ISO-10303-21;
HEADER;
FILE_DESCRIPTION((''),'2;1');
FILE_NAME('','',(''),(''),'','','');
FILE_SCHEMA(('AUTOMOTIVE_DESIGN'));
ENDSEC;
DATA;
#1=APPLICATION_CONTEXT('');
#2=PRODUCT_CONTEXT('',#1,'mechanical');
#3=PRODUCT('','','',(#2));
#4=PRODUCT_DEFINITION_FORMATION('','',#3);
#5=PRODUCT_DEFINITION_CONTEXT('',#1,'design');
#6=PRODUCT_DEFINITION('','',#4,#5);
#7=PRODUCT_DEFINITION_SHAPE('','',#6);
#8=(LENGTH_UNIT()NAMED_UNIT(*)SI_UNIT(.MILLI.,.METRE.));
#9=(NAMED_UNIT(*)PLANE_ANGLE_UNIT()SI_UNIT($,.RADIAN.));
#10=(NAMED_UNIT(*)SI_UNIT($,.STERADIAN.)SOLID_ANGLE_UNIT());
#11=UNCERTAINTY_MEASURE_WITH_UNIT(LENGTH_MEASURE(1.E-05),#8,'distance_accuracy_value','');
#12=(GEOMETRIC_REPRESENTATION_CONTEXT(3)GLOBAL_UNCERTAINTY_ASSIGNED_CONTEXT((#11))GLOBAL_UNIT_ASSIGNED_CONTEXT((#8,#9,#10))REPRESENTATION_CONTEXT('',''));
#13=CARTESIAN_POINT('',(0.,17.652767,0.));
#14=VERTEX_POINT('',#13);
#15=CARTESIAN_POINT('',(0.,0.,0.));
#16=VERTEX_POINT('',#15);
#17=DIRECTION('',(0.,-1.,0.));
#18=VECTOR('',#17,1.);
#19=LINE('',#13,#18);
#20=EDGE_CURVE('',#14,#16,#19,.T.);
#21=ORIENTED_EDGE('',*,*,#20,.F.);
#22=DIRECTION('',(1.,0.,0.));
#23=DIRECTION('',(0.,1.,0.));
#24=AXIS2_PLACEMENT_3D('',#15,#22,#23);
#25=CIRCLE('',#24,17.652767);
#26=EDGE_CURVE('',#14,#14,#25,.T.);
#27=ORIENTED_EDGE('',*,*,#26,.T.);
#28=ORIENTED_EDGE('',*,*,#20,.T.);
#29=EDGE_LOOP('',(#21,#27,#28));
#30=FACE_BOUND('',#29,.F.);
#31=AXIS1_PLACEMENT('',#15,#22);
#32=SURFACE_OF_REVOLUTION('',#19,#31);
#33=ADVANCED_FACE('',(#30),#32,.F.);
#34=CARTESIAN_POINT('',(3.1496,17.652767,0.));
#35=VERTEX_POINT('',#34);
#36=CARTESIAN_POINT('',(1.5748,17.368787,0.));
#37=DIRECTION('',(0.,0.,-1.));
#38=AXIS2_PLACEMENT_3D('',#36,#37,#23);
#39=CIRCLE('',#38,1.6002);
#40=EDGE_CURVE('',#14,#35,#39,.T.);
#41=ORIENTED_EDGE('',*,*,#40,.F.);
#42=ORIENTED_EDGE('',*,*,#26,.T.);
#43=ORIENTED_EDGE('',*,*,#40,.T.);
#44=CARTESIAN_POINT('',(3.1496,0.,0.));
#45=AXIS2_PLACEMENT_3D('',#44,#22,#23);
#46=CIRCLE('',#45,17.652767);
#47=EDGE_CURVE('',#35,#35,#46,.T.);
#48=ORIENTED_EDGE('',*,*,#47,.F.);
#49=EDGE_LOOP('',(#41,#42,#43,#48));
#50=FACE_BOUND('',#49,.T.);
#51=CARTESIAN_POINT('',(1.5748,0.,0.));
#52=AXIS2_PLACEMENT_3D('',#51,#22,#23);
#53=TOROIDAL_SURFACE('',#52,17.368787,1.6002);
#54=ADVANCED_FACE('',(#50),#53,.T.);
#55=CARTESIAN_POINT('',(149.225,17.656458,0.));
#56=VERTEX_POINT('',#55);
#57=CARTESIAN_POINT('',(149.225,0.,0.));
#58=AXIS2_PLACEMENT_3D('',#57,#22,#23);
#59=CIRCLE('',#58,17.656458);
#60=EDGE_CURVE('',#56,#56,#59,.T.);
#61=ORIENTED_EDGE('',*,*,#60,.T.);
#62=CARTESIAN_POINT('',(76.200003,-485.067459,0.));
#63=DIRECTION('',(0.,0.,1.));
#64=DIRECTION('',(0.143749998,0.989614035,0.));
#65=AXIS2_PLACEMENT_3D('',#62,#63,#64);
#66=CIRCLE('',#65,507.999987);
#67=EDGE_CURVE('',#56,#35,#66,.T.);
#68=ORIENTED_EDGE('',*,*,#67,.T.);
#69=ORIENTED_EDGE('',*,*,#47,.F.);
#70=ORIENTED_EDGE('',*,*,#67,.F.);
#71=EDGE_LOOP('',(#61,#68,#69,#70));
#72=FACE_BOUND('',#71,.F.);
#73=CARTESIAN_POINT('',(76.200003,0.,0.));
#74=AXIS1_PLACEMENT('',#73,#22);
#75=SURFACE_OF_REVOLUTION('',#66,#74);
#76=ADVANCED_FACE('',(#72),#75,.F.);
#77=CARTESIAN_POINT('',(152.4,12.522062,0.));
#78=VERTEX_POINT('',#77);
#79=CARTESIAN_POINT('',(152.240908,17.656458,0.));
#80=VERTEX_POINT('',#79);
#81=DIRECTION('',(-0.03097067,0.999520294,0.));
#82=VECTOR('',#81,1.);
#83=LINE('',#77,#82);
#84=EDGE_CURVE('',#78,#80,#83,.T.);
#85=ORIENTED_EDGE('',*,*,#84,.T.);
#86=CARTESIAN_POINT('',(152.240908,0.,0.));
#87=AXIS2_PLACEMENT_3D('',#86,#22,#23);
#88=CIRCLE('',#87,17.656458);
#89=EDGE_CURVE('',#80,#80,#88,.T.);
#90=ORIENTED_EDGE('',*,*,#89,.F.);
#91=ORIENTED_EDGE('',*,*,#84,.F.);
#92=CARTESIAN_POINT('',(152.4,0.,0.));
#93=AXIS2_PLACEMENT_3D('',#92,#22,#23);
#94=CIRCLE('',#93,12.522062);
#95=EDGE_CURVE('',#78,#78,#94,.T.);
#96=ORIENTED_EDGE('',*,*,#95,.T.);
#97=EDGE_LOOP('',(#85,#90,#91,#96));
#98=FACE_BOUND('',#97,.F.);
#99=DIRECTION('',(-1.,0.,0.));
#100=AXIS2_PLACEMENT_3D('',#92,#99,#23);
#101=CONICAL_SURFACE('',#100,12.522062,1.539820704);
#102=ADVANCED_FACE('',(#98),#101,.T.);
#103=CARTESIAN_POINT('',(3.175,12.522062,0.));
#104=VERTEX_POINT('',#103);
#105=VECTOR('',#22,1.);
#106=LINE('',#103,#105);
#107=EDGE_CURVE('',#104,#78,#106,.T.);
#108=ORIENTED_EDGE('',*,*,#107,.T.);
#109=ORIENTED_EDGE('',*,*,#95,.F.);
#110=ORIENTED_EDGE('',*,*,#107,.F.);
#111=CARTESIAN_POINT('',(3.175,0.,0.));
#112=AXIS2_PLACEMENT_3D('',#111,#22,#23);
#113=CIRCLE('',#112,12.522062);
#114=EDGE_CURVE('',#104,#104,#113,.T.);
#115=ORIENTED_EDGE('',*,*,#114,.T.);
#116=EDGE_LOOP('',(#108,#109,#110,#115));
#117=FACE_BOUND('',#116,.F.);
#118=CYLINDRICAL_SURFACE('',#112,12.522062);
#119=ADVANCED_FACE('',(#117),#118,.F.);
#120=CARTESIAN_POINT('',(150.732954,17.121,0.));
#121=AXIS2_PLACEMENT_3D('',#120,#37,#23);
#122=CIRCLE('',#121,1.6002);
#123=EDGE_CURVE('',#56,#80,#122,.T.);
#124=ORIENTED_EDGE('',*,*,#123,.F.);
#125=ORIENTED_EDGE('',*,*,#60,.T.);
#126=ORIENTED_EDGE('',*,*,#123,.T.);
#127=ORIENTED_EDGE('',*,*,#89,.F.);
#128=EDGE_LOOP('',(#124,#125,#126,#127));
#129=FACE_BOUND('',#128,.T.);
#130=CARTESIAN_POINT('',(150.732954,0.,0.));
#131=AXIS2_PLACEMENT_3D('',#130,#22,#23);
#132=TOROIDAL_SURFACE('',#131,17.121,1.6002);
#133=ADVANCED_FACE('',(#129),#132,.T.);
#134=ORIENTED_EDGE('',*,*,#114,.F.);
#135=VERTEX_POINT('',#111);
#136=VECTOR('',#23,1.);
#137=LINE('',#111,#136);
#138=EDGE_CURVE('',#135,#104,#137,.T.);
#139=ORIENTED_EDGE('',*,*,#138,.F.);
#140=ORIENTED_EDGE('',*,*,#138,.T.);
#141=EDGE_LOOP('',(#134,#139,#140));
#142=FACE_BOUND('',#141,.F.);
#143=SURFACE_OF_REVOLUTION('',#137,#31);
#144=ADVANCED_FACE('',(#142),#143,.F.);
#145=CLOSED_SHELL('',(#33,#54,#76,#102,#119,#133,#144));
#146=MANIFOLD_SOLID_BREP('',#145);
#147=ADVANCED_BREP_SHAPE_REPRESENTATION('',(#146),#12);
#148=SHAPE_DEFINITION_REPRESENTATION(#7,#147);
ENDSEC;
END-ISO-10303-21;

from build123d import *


with BuildPart() as f2:
    # F2: sweep along a path in F1
    with BuildLine(Plane.YZ) as f2_path:
        CenterArc((0, 0), 12.626421, 0, 360)
    # F0 (on Front) → F2 (sweep)
    with BuildSketch(Plane.XZ):
        with BuildLine():
            Line((3.175, 0), (3.175, 12.522062))
            Line((3.175, 12.522062), (152.4, 12.522062))
            Line((152.4, 12.522062), (152.240908, 17.656458))
            ThreePointArc((152.240908, 17.656458), (150.732954, 18.7212), (149.225, 17.656458))
            ThreePointArc((149.225, 17.656458), (76.187167, 22.932528), (3.1496, 17.652767))
            ThreePointArc((3.1496, 17.652767), (1.5748, 18.968987), (0, 17.652767))
            Line((0, 17.652767), (0, 0))
            Line((0, 0), (3.175, 0))
        make_face()
    sweep(path=f2_path.line)


solid = f2.part
